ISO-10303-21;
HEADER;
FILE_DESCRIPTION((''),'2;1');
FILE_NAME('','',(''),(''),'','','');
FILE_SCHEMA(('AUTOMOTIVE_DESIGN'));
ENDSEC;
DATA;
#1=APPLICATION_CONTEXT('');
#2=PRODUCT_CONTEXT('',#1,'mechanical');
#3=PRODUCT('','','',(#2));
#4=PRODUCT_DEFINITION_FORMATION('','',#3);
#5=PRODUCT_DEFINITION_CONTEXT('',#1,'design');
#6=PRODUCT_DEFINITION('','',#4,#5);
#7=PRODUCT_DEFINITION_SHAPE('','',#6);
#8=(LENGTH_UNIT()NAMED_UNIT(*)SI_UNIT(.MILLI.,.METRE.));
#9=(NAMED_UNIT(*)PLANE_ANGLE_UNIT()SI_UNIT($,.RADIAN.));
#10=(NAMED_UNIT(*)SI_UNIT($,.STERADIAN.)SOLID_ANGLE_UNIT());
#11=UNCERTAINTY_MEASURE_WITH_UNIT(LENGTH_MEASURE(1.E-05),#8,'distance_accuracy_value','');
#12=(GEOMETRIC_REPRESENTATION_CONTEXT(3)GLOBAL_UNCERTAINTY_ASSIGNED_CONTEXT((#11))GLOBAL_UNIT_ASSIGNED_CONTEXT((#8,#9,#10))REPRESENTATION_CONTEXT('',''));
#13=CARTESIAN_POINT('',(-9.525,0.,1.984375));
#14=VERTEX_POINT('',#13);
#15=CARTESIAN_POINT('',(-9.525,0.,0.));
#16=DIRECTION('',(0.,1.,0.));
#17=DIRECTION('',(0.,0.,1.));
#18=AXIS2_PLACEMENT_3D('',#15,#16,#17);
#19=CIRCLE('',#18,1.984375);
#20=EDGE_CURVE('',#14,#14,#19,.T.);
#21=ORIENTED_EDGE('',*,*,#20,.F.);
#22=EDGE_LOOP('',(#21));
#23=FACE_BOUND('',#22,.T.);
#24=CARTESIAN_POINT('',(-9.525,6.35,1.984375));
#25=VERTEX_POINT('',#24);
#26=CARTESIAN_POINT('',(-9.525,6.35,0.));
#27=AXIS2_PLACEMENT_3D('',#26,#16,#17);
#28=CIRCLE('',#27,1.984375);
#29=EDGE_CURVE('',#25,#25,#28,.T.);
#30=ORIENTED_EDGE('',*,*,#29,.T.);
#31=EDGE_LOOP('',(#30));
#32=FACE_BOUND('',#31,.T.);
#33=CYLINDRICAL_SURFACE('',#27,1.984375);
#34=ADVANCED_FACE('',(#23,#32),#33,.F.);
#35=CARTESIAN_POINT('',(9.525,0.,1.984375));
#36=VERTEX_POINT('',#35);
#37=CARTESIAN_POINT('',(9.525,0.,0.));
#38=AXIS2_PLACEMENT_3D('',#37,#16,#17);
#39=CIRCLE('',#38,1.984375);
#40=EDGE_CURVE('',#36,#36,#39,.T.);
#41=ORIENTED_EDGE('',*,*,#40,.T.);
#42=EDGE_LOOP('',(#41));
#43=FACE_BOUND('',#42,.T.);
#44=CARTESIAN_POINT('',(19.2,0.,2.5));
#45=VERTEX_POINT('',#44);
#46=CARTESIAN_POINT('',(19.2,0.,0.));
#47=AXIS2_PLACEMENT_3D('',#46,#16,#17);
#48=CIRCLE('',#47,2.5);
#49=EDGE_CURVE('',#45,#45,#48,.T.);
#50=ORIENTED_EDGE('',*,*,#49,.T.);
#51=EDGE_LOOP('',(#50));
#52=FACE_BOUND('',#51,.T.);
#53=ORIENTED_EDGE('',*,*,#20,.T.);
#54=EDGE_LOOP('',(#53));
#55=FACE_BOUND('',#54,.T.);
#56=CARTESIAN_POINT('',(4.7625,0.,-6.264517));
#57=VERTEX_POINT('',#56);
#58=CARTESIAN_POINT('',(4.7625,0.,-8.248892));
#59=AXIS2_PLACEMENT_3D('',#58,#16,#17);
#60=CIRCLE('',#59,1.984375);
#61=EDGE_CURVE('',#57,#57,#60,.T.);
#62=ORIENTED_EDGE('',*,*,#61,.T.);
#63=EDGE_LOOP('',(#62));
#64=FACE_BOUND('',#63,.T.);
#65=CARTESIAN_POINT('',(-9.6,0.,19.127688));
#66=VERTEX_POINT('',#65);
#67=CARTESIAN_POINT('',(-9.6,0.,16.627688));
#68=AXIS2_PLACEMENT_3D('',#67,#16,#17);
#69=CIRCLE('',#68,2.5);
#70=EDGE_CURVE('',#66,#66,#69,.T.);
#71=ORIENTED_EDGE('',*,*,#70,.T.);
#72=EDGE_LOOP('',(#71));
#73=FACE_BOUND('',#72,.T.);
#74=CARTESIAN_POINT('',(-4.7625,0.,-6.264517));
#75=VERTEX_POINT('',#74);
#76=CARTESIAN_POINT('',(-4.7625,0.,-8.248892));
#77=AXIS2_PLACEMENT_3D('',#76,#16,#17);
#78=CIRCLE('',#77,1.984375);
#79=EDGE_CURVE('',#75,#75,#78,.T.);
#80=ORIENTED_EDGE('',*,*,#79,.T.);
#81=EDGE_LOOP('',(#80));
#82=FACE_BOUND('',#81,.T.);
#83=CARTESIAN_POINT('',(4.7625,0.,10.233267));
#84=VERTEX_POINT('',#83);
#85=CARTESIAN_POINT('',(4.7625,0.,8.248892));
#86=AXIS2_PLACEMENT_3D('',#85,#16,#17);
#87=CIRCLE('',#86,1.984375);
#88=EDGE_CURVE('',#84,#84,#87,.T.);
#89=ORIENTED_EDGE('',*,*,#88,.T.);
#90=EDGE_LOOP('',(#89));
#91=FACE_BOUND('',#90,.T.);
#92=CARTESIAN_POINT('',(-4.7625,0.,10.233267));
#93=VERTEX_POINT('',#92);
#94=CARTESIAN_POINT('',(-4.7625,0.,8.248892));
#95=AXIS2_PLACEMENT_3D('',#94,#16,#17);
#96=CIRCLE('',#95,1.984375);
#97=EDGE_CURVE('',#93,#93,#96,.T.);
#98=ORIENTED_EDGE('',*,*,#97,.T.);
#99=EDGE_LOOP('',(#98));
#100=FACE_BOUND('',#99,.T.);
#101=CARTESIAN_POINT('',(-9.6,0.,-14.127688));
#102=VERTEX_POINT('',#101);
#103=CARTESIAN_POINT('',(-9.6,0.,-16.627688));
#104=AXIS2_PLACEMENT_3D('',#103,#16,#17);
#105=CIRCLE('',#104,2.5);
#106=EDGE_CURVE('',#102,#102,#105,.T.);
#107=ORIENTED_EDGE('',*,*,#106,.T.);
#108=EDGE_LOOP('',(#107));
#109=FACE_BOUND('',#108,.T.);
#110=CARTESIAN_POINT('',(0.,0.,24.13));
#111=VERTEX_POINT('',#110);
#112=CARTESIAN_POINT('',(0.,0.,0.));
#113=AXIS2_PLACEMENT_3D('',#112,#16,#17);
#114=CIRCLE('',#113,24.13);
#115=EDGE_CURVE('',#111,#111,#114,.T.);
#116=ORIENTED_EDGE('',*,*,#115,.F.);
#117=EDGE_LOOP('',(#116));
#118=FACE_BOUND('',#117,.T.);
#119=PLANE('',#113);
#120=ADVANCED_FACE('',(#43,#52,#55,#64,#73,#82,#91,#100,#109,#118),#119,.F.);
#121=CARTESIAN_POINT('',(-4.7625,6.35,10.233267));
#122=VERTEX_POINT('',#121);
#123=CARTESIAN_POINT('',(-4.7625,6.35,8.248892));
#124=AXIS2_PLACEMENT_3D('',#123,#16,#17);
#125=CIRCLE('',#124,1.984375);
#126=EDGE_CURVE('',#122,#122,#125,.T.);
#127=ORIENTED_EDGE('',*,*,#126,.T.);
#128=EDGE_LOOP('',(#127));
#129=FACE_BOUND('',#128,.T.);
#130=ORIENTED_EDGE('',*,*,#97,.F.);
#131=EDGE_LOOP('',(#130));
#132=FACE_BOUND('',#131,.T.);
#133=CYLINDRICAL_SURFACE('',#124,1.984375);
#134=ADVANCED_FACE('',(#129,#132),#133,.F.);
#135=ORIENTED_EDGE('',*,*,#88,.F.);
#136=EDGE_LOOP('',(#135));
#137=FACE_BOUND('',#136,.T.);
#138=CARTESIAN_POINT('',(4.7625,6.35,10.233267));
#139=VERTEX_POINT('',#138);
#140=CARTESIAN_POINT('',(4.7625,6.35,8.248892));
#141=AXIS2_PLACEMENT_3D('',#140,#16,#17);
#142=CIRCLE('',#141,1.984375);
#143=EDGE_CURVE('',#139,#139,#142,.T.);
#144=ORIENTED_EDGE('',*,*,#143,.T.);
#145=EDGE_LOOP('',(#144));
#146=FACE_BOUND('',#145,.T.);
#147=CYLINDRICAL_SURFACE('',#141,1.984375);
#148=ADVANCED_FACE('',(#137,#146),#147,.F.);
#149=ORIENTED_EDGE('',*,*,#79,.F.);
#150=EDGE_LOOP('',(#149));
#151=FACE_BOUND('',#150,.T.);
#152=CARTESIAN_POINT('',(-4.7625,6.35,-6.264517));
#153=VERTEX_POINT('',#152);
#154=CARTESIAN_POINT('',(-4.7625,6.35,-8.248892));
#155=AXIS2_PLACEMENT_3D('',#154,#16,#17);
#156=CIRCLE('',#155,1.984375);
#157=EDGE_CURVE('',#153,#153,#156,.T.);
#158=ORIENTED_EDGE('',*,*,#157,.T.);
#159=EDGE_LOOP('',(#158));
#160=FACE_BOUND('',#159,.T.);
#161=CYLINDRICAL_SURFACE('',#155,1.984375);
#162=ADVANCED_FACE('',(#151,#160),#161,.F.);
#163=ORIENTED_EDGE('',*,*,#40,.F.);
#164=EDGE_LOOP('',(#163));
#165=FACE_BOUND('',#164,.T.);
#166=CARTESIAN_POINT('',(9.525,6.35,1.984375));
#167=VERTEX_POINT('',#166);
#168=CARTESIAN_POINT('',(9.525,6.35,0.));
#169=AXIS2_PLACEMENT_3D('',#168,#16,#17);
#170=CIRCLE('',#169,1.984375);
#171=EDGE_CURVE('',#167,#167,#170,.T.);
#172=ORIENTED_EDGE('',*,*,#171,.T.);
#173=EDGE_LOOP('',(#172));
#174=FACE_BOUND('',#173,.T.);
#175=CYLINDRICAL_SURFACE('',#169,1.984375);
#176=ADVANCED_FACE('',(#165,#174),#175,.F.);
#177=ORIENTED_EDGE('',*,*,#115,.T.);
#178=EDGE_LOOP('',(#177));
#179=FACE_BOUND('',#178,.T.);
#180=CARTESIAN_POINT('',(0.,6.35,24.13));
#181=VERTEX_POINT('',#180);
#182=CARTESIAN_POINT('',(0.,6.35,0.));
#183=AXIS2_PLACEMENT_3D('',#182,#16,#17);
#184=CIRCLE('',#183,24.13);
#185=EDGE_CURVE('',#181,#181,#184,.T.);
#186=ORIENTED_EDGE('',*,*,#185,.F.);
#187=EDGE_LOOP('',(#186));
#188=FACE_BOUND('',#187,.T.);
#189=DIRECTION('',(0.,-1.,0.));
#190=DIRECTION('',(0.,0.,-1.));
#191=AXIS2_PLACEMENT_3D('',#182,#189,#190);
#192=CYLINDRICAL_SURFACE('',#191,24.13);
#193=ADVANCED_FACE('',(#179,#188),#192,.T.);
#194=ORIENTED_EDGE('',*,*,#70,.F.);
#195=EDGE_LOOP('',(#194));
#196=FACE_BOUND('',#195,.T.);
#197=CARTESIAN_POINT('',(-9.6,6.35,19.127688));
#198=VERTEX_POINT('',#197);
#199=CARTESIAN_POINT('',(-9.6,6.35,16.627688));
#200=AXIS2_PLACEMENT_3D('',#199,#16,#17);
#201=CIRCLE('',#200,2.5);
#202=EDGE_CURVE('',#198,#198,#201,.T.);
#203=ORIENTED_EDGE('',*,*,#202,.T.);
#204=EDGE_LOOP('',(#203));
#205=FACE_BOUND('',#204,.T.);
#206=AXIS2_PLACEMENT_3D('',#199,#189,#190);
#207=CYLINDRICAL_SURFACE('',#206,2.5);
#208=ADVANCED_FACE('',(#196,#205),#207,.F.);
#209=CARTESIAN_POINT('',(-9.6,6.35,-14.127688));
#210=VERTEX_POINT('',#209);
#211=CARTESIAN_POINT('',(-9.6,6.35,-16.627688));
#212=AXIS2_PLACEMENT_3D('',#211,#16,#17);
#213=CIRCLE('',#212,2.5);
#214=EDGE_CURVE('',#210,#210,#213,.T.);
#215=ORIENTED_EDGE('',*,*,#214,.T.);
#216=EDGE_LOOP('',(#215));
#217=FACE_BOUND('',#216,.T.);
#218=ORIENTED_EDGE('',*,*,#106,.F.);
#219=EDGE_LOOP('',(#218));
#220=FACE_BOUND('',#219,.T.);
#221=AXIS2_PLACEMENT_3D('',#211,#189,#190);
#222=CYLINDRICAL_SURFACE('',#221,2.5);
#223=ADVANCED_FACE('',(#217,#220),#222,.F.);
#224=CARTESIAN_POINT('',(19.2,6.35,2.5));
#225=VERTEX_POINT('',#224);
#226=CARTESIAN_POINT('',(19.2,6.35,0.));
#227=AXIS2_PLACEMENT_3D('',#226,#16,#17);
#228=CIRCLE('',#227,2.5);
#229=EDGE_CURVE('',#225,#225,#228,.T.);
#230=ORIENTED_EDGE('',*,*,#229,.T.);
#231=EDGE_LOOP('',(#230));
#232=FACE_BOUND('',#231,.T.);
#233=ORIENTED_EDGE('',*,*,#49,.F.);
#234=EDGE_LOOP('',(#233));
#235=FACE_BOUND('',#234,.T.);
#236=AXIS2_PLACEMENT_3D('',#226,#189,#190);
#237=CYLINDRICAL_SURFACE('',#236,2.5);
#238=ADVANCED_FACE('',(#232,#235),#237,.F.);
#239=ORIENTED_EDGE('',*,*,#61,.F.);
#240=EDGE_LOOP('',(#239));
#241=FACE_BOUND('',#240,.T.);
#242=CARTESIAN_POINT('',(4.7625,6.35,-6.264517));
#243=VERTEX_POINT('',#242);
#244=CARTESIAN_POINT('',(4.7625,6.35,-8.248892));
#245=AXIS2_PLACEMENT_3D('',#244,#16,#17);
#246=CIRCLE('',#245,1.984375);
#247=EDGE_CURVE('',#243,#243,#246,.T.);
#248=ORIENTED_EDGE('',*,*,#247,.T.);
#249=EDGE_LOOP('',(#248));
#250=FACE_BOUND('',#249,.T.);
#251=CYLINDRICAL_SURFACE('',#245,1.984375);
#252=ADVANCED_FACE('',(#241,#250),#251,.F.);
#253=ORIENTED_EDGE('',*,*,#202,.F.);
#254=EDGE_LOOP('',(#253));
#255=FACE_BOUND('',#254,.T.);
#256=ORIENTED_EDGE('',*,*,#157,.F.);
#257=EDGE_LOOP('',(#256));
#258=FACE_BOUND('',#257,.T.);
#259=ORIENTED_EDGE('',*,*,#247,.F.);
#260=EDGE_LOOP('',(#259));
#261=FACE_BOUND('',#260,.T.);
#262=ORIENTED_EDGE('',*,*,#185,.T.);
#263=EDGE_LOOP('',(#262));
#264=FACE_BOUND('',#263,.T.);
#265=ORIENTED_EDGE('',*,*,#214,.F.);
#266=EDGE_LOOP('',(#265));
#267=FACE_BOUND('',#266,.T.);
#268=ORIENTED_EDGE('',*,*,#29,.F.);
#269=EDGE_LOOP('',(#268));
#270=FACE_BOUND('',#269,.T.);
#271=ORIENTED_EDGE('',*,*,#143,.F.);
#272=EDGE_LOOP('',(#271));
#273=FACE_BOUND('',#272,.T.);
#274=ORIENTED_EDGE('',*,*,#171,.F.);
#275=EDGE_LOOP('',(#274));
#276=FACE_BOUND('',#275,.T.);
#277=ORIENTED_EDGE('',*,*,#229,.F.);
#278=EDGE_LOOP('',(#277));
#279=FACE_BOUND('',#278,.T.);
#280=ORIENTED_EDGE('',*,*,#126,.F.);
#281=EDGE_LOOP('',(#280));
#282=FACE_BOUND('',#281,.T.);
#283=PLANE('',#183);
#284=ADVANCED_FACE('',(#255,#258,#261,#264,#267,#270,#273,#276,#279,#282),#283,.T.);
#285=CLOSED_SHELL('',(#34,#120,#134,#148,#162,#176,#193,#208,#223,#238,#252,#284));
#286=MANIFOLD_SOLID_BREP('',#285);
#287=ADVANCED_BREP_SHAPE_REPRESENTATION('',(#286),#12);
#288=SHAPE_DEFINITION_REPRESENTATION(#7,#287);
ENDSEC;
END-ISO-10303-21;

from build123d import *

# Parameters (mm, degrees)
SKETCH1_R                       = 24.13
SKETCH1_R_2                     = 2.5
BOSS_EXTRUDE1_DEPTH             = 6.35
F_5_32_0_15625_DIAMETER_HOLE1_D = 3.96875


with BuildPart() as part:
    # Sketch1 → Boss-Extrude1 (new body)
    with BuildSketch(Plane(origin=(0, 0, 0), x_dir=(1, 0, 0), z_dir=(0, 1, 0))):
        Circle(SKETCH1_R)
        with Locations((19.2, 0)):
            Circle(SKETCH1_R_2, mode=Mode.SUBTRACT)
        with Locations((-9.6, 16.627687753)):
            Circle(SKETCH1_R_2, mode=Mode.SUBTRACT)
        with Locations((-9.6, -16.627687753)):
            Circle(SKETCH1_R_2, mode=Mode.SUBTRACT)
    extrude(amount=BOSS_EXTRUDE1_DEPTH)

    # 5/32 (0.15625) Diameter Hole1 (through all)
    with Locations(Plane(origin=(0, 6.35, 0), x_dir=(1, 0, 0), z_dir=(0, 1, 0))):
        with Locations((4.7625, 8.248891971), (-4.7625, 8.248891971), (-9.525, 0), (-4.7625, -8.248891971), (4.7625, -8.248891971), (9.525, 0)):
            Hole(F_5_32_0_15625_DIAMETER_HOLE1_D / 2)


solid = part.part
